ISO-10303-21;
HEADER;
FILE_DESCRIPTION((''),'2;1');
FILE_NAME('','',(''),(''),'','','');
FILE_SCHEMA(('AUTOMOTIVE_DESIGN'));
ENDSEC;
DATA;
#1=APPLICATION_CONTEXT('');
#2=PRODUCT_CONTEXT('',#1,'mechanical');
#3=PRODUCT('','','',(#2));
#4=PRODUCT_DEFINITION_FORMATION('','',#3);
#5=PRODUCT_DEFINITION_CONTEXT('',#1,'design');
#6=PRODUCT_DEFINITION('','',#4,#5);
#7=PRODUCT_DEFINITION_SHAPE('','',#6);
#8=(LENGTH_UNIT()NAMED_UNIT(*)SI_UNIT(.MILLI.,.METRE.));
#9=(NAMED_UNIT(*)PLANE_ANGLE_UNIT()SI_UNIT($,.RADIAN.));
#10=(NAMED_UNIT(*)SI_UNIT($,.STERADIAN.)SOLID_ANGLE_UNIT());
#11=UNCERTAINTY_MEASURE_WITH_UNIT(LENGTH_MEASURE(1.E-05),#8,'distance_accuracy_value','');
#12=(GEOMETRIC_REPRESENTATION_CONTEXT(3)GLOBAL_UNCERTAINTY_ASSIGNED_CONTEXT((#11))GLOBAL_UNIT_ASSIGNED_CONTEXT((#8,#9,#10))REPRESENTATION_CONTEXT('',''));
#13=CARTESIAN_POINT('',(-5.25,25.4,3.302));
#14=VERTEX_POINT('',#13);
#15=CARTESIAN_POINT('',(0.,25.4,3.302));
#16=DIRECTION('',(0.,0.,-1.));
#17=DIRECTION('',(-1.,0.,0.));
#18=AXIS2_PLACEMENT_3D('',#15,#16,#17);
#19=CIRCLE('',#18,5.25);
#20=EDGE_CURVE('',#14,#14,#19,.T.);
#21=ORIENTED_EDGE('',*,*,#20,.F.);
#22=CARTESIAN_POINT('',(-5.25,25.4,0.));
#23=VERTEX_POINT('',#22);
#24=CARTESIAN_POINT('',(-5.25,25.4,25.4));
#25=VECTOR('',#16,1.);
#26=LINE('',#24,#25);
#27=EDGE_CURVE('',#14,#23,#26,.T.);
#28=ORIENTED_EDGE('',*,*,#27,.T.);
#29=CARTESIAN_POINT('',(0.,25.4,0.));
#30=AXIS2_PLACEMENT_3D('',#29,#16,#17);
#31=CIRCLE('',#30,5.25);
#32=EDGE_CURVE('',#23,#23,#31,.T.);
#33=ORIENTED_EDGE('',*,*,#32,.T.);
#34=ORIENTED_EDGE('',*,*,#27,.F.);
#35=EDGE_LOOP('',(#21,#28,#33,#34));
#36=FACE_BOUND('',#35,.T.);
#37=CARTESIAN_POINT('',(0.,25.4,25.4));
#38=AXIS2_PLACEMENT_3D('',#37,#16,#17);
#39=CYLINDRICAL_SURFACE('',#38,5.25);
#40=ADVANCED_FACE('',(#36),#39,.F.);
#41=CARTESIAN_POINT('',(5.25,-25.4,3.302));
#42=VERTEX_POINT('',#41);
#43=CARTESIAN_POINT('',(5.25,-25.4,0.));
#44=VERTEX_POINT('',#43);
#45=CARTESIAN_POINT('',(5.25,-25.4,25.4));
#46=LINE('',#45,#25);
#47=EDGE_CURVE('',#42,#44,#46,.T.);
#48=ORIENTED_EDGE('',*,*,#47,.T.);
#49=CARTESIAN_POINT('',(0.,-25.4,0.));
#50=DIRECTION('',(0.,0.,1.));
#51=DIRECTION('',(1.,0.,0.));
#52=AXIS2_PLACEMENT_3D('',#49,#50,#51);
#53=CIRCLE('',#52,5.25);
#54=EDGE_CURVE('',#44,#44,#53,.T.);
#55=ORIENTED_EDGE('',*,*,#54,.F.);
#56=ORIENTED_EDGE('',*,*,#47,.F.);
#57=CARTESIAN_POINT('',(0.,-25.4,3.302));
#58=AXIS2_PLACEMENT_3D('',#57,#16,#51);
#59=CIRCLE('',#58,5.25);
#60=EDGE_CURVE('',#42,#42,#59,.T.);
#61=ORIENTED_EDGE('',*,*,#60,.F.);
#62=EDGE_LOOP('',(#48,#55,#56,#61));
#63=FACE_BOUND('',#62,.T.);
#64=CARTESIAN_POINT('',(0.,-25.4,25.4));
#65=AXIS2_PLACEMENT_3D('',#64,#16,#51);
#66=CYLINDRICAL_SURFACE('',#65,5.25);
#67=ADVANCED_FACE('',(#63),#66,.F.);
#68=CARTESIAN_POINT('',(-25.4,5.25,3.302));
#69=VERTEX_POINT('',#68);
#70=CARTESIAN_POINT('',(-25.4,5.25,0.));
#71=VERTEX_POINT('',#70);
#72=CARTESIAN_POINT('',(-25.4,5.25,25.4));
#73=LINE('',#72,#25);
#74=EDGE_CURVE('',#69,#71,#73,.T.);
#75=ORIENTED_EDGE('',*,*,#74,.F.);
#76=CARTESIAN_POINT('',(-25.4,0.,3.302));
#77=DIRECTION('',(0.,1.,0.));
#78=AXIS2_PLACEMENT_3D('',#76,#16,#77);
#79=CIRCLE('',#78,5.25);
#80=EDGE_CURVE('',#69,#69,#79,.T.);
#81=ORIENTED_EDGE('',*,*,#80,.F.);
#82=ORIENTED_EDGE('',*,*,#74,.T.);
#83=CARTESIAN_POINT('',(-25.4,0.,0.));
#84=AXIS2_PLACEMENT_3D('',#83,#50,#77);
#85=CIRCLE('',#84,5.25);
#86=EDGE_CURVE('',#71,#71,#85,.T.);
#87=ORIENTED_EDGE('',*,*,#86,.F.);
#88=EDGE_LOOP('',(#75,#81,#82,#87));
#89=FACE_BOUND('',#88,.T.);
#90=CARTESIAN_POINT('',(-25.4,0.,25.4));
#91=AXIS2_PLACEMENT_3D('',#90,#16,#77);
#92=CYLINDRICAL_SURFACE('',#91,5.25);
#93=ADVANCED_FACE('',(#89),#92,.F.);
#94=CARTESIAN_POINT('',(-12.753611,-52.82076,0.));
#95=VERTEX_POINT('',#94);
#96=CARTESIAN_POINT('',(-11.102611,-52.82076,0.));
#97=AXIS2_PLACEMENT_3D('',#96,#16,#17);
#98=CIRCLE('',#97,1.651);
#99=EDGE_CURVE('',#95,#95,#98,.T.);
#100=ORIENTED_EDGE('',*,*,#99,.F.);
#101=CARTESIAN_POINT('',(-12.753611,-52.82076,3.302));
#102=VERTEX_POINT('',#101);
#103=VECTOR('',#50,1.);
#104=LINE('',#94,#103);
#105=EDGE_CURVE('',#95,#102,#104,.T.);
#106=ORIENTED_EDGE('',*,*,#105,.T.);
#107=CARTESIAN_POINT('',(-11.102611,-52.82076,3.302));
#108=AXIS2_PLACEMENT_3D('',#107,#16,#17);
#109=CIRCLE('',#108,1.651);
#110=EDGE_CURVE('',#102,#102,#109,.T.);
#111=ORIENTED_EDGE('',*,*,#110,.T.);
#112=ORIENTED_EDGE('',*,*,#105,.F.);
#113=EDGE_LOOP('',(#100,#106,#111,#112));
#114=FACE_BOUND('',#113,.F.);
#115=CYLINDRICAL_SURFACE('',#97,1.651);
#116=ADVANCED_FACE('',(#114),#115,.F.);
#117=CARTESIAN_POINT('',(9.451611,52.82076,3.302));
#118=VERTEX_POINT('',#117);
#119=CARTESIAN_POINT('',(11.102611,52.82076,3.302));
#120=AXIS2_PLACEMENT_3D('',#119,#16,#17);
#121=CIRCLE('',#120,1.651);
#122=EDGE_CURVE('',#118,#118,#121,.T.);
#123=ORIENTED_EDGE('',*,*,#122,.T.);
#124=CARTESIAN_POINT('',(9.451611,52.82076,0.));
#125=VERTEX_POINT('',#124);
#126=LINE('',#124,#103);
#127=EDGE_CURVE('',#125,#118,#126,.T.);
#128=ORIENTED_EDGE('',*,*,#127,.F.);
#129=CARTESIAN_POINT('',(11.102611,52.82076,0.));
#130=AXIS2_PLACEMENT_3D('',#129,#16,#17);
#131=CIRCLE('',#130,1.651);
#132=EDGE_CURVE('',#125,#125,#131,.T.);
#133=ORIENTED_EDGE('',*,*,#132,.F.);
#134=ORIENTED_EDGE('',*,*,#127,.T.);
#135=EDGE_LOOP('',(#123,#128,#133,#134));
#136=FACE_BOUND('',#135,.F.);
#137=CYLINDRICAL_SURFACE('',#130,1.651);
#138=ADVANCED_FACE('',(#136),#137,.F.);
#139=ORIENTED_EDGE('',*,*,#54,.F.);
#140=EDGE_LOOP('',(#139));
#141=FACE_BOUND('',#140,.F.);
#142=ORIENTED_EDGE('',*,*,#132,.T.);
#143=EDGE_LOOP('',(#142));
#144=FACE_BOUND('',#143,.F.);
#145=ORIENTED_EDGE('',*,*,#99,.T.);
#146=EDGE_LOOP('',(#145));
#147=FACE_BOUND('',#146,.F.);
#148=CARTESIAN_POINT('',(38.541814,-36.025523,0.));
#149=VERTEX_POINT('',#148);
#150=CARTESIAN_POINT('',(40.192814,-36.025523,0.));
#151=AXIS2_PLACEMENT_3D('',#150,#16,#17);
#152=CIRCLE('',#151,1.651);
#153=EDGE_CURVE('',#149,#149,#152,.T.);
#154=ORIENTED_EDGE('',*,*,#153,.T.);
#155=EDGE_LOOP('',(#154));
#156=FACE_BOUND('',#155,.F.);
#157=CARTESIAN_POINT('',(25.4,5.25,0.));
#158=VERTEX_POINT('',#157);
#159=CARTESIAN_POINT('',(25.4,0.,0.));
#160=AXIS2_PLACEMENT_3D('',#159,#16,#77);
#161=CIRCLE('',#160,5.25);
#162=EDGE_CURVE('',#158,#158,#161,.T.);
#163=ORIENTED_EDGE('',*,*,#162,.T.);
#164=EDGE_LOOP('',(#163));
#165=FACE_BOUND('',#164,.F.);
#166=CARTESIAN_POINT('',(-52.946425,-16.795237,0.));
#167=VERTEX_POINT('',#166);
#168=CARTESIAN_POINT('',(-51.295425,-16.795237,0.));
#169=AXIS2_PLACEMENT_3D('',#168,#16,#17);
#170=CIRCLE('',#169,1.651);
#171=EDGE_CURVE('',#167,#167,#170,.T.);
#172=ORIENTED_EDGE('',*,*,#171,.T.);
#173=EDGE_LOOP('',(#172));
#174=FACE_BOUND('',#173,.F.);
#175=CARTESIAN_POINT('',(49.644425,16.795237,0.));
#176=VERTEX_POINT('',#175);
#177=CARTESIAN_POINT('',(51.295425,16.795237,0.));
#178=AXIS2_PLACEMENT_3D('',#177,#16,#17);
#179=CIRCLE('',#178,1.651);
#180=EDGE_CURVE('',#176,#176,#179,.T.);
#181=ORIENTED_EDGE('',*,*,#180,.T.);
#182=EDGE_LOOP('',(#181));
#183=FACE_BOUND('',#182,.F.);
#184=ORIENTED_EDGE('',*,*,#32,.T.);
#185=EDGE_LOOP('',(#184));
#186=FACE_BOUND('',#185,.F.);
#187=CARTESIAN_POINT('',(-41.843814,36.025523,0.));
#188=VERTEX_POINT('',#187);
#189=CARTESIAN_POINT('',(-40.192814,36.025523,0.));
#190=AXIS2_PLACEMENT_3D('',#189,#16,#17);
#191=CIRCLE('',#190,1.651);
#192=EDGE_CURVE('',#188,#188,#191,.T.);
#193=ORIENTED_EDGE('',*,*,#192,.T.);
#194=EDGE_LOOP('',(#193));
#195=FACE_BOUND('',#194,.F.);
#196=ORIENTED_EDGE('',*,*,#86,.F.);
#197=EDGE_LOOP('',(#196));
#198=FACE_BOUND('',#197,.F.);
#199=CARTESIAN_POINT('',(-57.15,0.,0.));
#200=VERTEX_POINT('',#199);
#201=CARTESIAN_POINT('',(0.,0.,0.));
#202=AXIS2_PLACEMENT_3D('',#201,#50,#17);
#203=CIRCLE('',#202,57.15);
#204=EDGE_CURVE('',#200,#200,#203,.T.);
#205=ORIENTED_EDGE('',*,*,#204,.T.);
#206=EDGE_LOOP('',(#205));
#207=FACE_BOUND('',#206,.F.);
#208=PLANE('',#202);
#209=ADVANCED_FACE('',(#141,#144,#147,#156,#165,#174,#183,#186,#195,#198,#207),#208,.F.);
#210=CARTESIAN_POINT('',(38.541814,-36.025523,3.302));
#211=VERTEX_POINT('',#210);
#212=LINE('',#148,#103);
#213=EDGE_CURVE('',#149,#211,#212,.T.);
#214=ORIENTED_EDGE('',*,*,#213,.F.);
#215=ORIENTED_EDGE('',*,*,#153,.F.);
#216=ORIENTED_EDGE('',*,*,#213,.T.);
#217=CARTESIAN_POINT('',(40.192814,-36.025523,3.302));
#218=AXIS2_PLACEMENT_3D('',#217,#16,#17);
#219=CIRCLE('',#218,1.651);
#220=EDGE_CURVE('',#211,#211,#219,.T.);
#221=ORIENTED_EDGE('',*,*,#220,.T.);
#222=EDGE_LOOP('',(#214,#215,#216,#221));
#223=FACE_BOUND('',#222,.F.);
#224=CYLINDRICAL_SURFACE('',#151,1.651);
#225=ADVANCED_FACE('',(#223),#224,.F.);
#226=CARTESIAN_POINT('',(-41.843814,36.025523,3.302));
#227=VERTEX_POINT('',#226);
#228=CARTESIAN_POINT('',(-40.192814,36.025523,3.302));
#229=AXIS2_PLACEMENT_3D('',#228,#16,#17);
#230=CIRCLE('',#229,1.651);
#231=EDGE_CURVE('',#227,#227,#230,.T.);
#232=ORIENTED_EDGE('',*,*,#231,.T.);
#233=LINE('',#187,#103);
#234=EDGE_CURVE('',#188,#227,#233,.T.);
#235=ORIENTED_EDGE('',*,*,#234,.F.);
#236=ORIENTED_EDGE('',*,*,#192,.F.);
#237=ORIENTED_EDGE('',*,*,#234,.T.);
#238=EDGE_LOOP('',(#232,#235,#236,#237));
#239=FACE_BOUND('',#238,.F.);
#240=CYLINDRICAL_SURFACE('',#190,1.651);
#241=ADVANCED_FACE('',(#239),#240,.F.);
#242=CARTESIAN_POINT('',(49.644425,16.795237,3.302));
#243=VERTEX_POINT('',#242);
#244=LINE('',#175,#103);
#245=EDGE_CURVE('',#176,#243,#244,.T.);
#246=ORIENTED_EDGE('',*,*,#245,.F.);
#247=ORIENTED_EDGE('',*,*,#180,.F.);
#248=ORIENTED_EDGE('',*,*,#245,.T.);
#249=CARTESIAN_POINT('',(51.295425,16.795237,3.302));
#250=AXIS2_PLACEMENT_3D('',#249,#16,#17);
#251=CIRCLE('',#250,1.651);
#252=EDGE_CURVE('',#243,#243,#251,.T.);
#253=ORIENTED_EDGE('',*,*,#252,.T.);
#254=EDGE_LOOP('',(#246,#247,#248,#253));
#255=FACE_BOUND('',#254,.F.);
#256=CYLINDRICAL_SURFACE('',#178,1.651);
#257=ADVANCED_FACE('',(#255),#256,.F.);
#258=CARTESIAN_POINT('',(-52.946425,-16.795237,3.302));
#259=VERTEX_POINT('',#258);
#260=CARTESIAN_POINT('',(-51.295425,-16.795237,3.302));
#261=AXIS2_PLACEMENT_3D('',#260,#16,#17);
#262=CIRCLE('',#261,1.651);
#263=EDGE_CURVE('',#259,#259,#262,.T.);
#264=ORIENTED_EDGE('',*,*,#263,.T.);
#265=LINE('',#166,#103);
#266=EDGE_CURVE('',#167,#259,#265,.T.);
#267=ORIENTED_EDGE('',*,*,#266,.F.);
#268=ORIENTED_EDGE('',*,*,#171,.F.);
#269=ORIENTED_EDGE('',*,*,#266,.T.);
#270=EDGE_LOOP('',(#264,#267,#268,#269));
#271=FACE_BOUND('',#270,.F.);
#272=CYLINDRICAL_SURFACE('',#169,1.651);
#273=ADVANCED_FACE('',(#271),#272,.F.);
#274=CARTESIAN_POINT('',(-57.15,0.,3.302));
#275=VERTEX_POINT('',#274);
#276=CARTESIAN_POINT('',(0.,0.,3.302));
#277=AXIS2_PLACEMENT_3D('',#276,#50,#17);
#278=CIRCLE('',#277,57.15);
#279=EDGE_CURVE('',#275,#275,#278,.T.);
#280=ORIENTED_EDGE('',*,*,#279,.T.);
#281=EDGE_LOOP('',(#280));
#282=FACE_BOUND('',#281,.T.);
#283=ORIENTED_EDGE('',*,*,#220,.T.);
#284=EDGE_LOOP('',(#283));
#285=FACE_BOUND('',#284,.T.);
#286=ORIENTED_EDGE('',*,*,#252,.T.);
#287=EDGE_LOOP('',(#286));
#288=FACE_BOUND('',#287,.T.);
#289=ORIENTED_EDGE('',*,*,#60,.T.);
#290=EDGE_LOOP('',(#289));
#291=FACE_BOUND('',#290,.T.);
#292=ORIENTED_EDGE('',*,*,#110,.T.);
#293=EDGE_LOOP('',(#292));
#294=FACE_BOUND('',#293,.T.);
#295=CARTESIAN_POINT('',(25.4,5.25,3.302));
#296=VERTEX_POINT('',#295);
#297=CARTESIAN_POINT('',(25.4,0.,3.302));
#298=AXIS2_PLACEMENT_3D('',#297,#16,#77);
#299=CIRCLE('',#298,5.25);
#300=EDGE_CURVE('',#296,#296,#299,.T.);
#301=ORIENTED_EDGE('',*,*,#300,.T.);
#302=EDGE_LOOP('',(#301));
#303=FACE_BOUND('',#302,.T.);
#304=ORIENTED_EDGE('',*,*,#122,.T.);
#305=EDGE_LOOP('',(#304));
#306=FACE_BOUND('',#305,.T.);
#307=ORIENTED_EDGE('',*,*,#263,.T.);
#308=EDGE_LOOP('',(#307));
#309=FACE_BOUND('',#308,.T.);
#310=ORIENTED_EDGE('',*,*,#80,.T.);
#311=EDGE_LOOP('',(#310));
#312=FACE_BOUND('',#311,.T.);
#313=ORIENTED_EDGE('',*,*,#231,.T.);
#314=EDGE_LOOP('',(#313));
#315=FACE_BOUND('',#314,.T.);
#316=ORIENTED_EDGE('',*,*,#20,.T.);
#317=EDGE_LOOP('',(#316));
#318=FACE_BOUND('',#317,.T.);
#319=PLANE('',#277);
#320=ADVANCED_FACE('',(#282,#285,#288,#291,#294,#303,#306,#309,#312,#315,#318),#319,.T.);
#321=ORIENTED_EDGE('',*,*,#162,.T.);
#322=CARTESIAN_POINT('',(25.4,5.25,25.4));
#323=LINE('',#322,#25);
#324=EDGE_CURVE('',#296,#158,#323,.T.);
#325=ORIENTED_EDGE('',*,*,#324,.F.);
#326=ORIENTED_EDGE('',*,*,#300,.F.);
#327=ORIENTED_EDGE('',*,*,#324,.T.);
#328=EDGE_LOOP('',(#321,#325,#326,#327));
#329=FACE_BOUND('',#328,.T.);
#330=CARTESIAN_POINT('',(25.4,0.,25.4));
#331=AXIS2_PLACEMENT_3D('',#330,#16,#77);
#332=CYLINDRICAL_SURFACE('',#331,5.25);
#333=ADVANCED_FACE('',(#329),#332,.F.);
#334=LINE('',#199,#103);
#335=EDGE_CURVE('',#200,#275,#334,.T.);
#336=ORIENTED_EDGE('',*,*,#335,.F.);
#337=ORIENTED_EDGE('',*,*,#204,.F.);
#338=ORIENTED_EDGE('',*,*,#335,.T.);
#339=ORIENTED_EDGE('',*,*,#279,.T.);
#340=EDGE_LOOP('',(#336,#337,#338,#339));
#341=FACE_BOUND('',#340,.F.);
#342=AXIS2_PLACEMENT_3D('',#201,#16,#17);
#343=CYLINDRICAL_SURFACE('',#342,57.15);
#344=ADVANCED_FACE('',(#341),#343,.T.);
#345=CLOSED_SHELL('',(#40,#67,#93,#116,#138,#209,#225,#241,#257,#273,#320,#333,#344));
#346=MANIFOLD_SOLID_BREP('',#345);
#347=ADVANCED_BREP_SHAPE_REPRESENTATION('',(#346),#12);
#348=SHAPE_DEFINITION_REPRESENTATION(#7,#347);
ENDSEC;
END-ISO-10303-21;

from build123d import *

# Parameters (mm, degrees)
SKETCH_1_R                     = 57.15
EXTRUDE_1_DEPTH                = 3.302
SKETCH_2_R                     = 1.651
CUT_EXTRUDE_1_DEPTH            = 81.889728668
M10_CLEARANCE_HOLE1_AT_2_COUNT = 2
M10_CLEARANCE_HOLE1_AT_2_PITCH = 50.8
CIRPATTERN1_COUNT              = 4


with BuildPart() as part:
    # 草图1 → 凸台-拉伸1 (new body)
    with BuildSketch(Plane.XY):
        with Locations(Location((0, 0, 0), (0, 0, 180))):
            Circle(SKETCH_1_R)
    extrude(amount=EXTRUDE_1_DEPTH)

    # 草图2 → 切除-拉伸1 (cut, through all)
    with BuildSketch(Plane(origin=(0, 0, 0), x_dir=(-1, 0, 0), z_dir=(0, 0, -1))):
        with Locations((-51.295425161, 16.7952369)):
            Circle(SKETCH_2_R)
        with Locations((-11.102610763, 52.820759738)):
            Circle(SKETCH_2_R)
        with Locations((40.192814398, 36.025522838)):
            Circle(SKETCH_2_R)
        with Locations((51.295425161, -16.7952369)):
            Circle(SKETCH_2_R)
        with Locations((11.102610763, -52.820759738)):
            Circle(SKETCH_2_R)
        with Locations((-40.192814398, -36.025522838)):
            Circle(SKETCH_2_R)
    extrude(amount=-CUT_EXTRUDE_1_DEPTH, mode=Mode.SUBTRACT)

    # Sketch3 → M10 Clearance Hole1 (revolve, cut)
    with BuildSketch(Plane.YZ.offset(25.4)):
        Polygon((0, 0), (0, 28.55451825), (5.25, 25.4), (5.25, 0), align=None)
    m10_clearance_hole1 = revolve(axis=Axis((25.4, 0, -6.35), (0, 0, 1)), mode=Mode.SUBTRACT)

    # M10 Clearance Hole1 at 2: M10 Clearance Hole1 ×2
    with Locations(*[(-i * M10_CLEARANCE_HOLE1_AT_2_PITCH, 0, 0) for i in range(1, M10_CLEARANCE_HOLE1_AT_2_COUNT)]):
        add(m10_clearance_hole1, mode=Mode.SUBTRACT)

    # CirPattern1: M10 Clearance Hole1 ×4 about axis
    cirpattern1_axis = Axis((0, 0, 0), (0, 0, 1))
    for i in range(1, CIRPATTERN1_COUNT):
        add(m10_clearance_hole1.rotate(cirpattern1_axis, i * 360 / CIRPATTERN1_COUNT), mode=Mode.SUBTRACT)

    # CirPattern1 copy 1 sketch → CirPattern1 copy 1 (revolve, cut)
    with BuildSketch(Plane(origin=(0, -25.4, 0), x_dir=(-1, 0, 0), z_dir=(0, 1, 0))):
        Polygon((0, 0), (0, 28.55451825), (5.25, 25.4), (5.25, 0), align=None)
    revolve(axis=Axis((0, -25.4, -6.35), (0, 0, 1)), mode=Mode.SUBTRACT)

    # CirPattern1 copy 2 sketch → CirPattern1 copy 2 (revolve, cut)
    with BuildSketch(Plane(origin=(25.4, 0, 0), x_dir=(0, -1, 0), z_dir=(-1, 0, 0))):
        Polygon((0, 0), (0, 28.55451825), (5.25, 25.4), (5.25, 0), align=None)
    revolve(axis=Axis((25.4, 0, -6.35), (0, 0, 1)), mode=Mode.SUBTRACT)

    # CirPattern1 copy 3 sketch → CirPattern1 copy 3 (revolve, cut)
    with BuildSketch(Plane.XZ.offset(-25.4)):
        Polygon((0, 0), (0, 28.55451825), (5.25, 25.4), (5.25, 0), align=None)
    revolve(axis=Axis((0, 25.4, -6.35), (0, 0, 1)), mode=Mode.SUBTRACT)


solid = part.part
